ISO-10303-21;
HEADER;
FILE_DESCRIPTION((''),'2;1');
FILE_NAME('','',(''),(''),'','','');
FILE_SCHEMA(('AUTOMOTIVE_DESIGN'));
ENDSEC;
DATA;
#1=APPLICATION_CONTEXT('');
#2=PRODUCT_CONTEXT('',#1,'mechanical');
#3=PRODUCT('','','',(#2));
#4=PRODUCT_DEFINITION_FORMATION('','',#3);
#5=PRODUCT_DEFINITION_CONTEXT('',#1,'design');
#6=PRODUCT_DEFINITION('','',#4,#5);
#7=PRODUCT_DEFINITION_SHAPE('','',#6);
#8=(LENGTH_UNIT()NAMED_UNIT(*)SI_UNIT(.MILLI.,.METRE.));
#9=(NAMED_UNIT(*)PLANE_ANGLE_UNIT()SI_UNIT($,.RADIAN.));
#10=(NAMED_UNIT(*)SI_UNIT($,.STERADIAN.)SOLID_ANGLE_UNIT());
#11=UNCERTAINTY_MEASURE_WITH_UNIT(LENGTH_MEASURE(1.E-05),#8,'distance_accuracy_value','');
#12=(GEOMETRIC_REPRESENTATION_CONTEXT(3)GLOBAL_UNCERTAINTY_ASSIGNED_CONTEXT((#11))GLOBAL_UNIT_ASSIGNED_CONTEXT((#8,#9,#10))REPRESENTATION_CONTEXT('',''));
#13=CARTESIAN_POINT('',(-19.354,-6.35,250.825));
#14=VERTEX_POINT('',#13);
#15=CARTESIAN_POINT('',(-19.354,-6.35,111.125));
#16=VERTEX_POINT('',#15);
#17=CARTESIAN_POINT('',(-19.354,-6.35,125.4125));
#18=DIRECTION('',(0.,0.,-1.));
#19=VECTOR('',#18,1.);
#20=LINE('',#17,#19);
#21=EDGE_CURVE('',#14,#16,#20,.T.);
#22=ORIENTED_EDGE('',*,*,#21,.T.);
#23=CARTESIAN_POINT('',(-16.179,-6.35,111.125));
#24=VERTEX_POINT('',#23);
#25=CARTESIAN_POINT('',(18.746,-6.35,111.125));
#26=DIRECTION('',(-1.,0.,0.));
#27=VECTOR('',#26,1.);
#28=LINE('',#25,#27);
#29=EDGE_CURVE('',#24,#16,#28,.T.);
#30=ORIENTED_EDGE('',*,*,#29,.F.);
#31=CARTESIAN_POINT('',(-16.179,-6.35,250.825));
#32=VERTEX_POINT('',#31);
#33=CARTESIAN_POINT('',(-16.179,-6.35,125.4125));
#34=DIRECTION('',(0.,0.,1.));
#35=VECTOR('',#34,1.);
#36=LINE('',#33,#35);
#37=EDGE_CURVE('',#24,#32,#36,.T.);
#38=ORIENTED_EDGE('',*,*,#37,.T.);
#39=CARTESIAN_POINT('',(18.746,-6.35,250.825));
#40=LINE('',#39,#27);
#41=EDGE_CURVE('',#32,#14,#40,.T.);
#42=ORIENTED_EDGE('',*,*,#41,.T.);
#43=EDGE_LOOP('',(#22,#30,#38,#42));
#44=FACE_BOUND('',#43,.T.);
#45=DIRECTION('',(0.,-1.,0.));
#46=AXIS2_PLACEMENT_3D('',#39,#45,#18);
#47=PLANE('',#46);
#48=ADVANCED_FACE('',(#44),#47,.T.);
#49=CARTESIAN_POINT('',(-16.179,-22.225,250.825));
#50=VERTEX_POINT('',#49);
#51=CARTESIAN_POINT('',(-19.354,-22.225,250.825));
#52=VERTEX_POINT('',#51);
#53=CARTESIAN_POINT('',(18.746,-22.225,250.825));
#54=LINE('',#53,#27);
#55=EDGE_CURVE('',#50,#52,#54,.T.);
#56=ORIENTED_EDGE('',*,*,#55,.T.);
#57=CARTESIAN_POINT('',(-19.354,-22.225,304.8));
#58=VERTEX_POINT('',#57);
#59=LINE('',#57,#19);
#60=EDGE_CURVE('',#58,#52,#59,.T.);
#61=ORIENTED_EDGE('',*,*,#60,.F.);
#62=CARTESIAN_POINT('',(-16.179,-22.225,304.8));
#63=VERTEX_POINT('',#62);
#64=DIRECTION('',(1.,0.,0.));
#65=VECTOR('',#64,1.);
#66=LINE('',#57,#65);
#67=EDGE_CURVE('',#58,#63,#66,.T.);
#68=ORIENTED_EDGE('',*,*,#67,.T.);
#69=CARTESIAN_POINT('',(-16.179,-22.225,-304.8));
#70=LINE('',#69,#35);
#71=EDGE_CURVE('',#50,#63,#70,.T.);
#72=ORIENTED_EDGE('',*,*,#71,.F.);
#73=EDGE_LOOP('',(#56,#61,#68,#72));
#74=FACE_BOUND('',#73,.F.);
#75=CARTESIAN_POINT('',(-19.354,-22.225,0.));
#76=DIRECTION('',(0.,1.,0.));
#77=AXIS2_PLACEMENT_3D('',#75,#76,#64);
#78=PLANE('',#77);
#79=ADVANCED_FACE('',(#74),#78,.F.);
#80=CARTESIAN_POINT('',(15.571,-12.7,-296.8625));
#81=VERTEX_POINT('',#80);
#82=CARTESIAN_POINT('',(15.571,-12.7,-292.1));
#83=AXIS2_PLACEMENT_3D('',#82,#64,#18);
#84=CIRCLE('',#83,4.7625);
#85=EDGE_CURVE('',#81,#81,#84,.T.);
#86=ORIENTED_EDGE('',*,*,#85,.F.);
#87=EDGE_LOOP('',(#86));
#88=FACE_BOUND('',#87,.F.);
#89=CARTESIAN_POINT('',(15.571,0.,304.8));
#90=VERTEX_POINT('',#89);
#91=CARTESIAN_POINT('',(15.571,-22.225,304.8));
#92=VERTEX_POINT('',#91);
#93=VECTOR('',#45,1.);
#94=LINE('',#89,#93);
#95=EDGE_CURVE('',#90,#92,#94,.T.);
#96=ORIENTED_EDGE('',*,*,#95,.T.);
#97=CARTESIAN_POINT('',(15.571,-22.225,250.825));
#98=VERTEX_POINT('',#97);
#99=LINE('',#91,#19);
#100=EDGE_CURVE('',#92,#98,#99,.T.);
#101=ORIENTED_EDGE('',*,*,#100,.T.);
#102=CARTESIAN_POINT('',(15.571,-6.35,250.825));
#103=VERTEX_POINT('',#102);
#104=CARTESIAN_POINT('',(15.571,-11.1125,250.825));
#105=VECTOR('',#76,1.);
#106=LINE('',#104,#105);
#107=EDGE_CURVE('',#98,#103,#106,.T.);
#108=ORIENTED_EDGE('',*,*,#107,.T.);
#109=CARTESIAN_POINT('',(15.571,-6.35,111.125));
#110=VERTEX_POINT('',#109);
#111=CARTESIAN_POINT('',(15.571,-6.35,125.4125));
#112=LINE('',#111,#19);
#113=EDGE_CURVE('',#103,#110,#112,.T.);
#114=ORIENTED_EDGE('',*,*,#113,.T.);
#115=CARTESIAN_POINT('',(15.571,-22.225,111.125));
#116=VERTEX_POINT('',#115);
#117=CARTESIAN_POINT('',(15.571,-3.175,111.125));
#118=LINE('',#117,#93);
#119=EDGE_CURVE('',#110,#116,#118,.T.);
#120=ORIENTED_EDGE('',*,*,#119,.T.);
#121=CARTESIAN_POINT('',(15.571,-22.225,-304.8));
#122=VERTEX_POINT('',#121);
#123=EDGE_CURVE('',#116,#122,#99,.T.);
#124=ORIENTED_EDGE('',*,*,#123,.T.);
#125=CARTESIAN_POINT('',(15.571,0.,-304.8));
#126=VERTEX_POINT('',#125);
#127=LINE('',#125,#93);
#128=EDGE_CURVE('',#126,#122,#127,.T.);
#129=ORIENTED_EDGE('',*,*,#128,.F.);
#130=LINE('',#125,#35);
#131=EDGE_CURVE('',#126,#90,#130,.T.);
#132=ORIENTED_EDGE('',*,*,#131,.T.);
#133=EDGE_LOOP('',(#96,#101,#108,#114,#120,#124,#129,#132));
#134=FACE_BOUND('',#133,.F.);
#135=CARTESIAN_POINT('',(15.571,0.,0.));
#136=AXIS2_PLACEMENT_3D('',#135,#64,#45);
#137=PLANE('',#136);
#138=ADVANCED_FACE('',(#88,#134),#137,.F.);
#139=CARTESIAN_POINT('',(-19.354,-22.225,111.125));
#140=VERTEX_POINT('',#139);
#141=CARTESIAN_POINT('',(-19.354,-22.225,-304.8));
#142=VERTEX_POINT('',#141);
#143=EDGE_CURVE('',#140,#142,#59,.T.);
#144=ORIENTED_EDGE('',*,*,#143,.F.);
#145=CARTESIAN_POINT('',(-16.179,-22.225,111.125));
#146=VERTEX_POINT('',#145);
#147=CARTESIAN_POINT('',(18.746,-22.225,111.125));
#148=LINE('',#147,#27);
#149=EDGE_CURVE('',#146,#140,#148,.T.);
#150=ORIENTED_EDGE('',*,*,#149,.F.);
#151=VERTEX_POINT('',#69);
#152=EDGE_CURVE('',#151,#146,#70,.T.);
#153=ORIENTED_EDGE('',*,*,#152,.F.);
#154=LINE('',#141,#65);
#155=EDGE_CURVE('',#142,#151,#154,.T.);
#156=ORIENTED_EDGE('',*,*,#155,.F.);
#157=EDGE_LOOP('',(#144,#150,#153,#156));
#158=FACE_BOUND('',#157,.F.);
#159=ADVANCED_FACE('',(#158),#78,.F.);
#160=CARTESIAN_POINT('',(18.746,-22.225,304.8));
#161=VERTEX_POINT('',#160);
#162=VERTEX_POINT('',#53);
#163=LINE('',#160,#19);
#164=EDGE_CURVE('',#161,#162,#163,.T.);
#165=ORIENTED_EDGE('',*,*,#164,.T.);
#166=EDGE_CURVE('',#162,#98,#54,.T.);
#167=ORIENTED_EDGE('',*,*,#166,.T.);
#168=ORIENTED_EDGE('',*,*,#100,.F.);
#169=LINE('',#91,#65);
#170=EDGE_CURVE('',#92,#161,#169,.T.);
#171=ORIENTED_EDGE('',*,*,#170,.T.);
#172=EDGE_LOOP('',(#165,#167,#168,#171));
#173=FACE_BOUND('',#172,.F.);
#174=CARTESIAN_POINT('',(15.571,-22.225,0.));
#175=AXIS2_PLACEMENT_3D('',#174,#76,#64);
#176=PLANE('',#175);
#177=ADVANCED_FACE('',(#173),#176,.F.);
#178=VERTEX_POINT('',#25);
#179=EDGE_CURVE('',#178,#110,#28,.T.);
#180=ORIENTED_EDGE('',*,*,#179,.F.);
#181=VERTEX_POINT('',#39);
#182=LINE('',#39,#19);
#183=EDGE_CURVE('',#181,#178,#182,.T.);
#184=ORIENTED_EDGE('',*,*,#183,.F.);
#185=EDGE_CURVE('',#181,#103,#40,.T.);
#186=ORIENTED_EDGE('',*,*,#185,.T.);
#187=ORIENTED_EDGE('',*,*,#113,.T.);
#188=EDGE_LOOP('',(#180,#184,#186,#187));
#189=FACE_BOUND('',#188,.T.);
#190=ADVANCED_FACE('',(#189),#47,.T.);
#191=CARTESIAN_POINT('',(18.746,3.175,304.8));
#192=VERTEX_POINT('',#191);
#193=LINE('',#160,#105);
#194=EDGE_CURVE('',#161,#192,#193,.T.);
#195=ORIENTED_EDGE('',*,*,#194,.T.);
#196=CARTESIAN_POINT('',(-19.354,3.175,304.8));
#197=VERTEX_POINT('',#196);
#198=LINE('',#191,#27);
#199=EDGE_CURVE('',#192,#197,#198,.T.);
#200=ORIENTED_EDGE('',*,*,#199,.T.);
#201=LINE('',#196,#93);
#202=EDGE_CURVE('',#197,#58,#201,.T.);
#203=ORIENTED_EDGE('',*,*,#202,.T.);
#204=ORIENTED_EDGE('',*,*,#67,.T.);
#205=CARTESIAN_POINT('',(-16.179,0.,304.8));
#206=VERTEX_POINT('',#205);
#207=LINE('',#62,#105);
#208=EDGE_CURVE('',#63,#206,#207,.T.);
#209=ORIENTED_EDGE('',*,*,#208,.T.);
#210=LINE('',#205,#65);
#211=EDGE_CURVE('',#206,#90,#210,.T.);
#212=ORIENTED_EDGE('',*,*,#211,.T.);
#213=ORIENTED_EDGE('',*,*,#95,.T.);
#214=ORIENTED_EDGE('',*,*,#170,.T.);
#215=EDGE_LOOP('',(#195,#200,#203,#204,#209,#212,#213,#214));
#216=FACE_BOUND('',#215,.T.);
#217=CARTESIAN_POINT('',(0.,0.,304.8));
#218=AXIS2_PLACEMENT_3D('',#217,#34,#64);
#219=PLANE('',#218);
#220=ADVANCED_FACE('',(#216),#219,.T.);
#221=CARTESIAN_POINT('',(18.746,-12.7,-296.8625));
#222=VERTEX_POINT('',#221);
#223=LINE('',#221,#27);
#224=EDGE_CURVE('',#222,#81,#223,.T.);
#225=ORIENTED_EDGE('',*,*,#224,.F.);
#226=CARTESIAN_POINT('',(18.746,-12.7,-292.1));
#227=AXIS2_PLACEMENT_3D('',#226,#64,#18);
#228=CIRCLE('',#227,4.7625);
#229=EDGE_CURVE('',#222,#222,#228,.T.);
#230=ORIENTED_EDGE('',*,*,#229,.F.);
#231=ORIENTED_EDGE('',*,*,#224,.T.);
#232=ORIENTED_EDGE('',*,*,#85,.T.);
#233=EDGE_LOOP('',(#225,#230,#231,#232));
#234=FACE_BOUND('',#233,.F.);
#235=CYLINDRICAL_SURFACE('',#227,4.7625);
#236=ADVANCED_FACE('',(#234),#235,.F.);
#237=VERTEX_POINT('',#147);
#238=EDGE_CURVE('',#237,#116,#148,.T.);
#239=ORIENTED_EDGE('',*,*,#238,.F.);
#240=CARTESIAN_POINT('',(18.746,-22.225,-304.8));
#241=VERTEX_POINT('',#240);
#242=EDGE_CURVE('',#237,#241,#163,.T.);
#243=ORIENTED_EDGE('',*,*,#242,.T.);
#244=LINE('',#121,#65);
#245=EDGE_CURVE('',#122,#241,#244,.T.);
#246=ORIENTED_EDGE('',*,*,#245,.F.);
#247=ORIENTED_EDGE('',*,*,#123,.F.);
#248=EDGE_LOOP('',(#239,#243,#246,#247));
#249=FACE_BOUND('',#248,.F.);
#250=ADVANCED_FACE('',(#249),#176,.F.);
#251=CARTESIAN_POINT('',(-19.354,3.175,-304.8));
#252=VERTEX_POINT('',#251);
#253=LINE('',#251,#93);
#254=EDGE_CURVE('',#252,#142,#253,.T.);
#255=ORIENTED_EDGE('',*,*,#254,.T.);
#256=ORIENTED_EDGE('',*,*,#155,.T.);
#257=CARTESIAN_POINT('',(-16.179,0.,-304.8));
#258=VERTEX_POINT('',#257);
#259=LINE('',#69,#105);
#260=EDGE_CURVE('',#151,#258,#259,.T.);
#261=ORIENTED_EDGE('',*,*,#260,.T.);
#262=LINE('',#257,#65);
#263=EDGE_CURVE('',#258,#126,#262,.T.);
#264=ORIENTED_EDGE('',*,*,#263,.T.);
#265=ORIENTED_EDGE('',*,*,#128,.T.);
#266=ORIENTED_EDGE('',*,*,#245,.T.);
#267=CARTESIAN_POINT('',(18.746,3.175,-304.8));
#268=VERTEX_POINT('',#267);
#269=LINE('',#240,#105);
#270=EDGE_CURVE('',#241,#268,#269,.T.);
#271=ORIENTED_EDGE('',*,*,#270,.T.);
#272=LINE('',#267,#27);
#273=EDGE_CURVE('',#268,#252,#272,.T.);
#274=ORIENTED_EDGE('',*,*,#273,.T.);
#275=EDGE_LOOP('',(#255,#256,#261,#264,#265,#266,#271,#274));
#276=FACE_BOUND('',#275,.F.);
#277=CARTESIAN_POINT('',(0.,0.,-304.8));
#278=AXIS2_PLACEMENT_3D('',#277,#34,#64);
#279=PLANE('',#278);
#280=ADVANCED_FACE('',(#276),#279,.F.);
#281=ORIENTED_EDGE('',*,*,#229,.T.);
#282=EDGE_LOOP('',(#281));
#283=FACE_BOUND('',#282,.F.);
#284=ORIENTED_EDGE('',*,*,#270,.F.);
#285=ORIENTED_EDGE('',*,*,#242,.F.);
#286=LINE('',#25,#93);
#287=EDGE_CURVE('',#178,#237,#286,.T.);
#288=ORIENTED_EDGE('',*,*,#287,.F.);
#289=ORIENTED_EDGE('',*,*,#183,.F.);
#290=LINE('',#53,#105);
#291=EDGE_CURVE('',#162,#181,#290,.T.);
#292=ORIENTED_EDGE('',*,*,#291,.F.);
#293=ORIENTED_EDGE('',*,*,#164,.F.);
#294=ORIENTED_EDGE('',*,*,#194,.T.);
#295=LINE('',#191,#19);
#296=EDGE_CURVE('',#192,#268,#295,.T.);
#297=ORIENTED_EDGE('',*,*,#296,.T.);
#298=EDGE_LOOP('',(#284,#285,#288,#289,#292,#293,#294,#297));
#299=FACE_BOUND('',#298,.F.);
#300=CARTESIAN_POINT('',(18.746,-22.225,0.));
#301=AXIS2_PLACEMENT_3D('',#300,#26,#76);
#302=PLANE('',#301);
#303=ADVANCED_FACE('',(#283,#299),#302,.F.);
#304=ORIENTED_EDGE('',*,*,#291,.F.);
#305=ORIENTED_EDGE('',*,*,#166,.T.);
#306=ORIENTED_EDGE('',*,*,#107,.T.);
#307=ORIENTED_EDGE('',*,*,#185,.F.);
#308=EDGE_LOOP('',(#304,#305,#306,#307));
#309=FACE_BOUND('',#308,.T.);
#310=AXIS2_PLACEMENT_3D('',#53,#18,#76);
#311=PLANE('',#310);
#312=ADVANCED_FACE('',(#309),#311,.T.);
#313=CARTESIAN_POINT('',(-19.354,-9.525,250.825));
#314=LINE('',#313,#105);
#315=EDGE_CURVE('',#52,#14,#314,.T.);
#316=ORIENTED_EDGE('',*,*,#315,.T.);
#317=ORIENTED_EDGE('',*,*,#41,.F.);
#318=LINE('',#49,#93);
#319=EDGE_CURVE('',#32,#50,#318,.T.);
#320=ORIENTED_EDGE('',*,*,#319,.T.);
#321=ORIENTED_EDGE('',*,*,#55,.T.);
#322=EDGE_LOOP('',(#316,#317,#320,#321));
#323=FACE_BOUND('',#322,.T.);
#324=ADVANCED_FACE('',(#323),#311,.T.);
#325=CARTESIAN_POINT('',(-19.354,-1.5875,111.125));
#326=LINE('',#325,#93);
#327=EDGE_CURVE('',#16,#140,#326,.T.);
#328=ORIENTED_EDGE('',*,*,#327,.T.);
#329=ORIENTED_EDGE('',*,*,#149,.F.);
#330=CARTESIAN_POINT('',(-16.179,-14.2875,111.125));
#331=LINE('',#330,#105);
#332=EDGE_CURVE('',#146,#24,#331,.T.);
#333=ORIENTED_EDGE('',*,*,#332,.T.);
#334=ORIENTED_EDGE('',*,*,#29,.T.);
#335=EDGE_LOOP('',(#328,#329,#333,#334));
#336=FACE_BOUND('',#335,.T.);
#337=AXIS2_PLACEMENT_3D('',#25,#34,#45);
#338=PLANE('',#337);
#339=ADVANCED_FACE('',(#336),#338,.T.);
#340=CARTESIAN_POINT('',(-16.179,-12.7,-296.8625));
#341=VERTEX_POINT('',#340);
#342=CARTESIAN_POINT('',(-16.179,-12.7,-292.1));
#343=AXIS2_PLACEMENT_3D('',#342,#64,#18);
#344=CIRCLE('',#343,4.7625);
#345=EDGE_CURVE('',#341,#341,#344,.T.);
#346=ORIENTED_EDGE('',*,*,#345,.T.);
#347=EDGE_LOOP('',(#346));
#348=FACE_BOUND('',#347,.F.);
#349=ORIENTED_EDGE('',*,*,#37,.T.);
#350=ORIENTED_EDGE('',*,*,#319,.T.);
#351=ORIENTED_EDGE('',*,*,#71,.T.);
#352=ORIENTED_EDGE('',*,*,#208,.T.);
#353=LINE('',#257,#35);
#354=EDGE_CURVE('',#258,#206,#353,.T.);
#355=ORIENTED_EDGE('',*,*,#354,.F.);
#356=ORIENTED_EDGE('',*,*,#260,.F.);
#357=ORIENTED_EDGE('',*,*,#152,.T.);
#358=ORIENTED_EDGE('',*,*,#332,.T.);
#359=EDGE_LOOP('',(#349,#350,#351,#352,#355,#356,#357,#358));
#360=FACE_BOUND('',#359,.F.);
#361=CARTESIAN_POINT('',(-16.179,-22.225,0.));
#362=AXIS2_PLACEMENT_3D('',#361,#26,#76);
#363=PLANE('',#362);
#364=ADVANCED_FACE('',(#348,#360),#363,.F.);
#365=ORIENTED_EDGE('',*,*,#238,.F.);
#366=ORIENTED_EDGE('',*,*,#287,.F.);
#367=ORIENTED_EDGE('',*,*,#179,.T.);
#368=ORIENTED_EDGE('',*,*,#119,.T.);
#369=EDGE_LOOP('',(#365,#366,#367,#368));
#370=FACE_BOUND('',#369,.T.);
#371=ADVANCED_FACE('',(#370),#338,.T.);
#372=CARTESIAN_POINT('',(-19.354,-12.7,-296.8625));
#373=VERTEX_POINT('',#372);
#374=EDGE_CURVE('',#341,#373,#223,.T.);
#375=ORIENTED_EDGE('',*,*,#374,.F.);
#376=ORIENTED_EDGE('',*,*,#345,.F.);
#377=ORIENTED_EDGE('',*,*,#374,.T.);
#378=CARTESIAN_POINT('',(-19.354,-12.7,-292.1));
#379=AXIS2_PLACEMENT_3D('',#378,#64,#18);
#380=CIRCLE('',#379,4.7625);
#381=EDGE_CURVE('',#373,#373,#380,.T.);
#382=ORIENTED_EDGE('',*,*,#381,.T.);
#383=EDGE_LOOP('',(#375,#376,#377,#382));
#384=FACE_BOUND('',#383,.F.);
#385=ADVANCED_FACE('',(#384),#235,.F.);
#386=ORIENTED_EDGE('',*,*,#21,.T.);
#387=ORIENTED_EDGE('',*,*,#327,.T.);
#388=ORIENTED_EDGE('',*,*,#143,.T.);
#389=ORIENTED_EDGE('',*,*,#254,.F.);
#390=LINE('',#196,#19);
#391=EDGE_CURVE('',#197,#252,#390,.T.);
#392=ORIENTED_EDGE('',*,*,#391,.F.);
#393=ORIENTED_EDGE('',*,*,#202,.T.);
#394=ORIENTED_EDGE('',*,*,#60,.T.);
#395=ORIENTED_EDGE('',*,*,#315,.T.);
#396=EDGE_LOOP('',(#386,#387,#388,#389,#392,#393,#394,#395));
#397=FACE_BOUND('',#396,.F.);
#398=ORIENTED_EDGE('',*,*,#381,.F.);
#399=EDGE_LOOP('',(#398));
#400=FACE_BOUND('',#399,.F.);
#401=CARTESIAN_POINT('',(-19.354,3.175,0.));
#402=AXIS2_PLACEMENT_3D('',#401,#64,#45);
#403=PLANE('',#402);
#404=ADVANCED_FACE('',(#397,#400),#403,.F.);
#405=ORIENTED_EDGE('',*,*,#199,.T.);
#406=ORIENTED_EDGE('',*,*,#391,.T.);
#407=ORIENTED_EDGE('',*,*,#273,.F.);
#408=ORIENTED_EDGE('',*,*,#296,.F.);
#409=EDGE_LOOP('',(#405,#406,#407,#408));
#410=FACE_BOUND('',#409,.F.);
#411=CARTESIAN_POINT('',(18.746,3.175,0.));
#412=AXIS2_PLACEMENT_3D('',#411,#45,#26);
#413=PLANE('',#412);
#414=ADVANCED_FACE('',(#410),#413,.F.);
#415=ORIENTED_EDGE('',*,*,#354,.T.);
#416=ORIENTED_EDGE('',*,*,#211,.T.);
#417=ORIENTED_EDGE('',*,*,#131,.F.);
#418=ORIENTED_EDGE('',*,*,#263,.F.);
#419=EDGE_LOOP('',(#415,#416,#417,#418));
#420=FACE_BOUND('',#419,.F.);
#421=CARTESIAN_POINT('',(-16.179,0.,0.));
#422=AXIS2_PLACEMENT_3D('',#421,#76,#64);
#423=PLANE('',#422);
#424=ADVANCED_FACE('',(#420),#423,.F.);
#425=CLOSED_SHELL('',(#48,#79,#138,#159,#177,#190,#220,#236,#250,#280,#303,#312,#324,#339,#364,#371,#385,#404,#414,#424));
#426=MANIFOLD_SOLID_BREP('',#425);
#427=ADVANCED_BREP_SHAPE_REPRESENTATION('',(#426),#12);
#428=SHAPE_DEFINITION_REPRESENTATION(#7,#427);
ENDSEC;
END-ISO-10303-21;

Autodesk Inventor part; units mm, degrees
ref_plane "YZ Plane" through (0, 0, 0) normal (1, 0, 0) x (0, 1, 0)
ref_plane "XZ Plane" through (0, 0, 0) normal (0, 1, 0) x (-1, 0, 0)
ref_plane "XY Plane" through (0, 0, 0) normal (0, 0, 1) x (1, 0, 0)
sketch "Sketch1" plane through (0, 0, 0) normal (0, 0, 1) x (1, 0, 0)
  line L0 (-16.179, -22.225) -> (-16.179, 0)
  line L1 (-16.179, 0) -> (15.571, 0)
  line L2 (15.571, 0) -> (15.571, -22.225)
  line L3 (15.571, -22.225) -> (18.746, -22.225)
  line L4 (18.746, -22.225) -> (18.746, 3.175)
  line L5 (18.746, 3.175) -> (-19.354, 3.175)
  line L6 (-19.354, 3.175) -> (-19.354, -22.225)
  line L7 (-19.354, -22.225) -> (-16.179, -22.225)
  line L8 (15.571, 0) -> (18.746, 0) construction
  line L9 (-16.179, 0) -> (-19.354, 0) construction
  line L10 (0, 0) -> (0, 3.175) construction
  dimension "d0" = 3.175
  dimension "d1" = 31.75
  dimension "d2" = 25.4
  dimension "d3" = 38.1
extrude "Extrusion1" add sketch "Sketch1" along normal mid plane 609.6
sketch "Sketch2" plane through (18.746, -22.225, 304.8) normal (1, 0, 0) x (0, 0, -1)
  line L0 (609.6, 0) -> (609.6, 22.225) construction
  line L1 (609.6, 9.525) -> (0, 9.525) construction
  line L2 (0, 22.225) -> (0, 0) construction
  circle A0 centre (596.9, 9.525) radius 4.7625
  circle A1 centre (63.5, 9.525) radius 12.7 construction
  line L3 (609.6, 22.225) -> (0, 22.225) construction
  line L4 (53.975, 15.875) -> (193.675, 15.875)
  line L5 (193.675, 15.875) -> (193.675, 0)
  line L6 (193.675, 0) -> (53.975, 0)
  line L7 (53.975, 0) -> (53.975, 15.875)
  line L8 (609.6, 0) -> (0, 0) construction
  point P0 (304.8, 22.225)
  dimension "d7" = 9.525
  dimension "d8" = 12.7
  dimension "d14" = 25.4
  dimension "d15" = 6.35
  dimension "d16" = 533.4
  dimension "d17" = 9.525
  dimension "d18" = 139.7
extrude "Extrusion2" cut sketch "Sketch2" against normal through all
properties part number "lift rails"
